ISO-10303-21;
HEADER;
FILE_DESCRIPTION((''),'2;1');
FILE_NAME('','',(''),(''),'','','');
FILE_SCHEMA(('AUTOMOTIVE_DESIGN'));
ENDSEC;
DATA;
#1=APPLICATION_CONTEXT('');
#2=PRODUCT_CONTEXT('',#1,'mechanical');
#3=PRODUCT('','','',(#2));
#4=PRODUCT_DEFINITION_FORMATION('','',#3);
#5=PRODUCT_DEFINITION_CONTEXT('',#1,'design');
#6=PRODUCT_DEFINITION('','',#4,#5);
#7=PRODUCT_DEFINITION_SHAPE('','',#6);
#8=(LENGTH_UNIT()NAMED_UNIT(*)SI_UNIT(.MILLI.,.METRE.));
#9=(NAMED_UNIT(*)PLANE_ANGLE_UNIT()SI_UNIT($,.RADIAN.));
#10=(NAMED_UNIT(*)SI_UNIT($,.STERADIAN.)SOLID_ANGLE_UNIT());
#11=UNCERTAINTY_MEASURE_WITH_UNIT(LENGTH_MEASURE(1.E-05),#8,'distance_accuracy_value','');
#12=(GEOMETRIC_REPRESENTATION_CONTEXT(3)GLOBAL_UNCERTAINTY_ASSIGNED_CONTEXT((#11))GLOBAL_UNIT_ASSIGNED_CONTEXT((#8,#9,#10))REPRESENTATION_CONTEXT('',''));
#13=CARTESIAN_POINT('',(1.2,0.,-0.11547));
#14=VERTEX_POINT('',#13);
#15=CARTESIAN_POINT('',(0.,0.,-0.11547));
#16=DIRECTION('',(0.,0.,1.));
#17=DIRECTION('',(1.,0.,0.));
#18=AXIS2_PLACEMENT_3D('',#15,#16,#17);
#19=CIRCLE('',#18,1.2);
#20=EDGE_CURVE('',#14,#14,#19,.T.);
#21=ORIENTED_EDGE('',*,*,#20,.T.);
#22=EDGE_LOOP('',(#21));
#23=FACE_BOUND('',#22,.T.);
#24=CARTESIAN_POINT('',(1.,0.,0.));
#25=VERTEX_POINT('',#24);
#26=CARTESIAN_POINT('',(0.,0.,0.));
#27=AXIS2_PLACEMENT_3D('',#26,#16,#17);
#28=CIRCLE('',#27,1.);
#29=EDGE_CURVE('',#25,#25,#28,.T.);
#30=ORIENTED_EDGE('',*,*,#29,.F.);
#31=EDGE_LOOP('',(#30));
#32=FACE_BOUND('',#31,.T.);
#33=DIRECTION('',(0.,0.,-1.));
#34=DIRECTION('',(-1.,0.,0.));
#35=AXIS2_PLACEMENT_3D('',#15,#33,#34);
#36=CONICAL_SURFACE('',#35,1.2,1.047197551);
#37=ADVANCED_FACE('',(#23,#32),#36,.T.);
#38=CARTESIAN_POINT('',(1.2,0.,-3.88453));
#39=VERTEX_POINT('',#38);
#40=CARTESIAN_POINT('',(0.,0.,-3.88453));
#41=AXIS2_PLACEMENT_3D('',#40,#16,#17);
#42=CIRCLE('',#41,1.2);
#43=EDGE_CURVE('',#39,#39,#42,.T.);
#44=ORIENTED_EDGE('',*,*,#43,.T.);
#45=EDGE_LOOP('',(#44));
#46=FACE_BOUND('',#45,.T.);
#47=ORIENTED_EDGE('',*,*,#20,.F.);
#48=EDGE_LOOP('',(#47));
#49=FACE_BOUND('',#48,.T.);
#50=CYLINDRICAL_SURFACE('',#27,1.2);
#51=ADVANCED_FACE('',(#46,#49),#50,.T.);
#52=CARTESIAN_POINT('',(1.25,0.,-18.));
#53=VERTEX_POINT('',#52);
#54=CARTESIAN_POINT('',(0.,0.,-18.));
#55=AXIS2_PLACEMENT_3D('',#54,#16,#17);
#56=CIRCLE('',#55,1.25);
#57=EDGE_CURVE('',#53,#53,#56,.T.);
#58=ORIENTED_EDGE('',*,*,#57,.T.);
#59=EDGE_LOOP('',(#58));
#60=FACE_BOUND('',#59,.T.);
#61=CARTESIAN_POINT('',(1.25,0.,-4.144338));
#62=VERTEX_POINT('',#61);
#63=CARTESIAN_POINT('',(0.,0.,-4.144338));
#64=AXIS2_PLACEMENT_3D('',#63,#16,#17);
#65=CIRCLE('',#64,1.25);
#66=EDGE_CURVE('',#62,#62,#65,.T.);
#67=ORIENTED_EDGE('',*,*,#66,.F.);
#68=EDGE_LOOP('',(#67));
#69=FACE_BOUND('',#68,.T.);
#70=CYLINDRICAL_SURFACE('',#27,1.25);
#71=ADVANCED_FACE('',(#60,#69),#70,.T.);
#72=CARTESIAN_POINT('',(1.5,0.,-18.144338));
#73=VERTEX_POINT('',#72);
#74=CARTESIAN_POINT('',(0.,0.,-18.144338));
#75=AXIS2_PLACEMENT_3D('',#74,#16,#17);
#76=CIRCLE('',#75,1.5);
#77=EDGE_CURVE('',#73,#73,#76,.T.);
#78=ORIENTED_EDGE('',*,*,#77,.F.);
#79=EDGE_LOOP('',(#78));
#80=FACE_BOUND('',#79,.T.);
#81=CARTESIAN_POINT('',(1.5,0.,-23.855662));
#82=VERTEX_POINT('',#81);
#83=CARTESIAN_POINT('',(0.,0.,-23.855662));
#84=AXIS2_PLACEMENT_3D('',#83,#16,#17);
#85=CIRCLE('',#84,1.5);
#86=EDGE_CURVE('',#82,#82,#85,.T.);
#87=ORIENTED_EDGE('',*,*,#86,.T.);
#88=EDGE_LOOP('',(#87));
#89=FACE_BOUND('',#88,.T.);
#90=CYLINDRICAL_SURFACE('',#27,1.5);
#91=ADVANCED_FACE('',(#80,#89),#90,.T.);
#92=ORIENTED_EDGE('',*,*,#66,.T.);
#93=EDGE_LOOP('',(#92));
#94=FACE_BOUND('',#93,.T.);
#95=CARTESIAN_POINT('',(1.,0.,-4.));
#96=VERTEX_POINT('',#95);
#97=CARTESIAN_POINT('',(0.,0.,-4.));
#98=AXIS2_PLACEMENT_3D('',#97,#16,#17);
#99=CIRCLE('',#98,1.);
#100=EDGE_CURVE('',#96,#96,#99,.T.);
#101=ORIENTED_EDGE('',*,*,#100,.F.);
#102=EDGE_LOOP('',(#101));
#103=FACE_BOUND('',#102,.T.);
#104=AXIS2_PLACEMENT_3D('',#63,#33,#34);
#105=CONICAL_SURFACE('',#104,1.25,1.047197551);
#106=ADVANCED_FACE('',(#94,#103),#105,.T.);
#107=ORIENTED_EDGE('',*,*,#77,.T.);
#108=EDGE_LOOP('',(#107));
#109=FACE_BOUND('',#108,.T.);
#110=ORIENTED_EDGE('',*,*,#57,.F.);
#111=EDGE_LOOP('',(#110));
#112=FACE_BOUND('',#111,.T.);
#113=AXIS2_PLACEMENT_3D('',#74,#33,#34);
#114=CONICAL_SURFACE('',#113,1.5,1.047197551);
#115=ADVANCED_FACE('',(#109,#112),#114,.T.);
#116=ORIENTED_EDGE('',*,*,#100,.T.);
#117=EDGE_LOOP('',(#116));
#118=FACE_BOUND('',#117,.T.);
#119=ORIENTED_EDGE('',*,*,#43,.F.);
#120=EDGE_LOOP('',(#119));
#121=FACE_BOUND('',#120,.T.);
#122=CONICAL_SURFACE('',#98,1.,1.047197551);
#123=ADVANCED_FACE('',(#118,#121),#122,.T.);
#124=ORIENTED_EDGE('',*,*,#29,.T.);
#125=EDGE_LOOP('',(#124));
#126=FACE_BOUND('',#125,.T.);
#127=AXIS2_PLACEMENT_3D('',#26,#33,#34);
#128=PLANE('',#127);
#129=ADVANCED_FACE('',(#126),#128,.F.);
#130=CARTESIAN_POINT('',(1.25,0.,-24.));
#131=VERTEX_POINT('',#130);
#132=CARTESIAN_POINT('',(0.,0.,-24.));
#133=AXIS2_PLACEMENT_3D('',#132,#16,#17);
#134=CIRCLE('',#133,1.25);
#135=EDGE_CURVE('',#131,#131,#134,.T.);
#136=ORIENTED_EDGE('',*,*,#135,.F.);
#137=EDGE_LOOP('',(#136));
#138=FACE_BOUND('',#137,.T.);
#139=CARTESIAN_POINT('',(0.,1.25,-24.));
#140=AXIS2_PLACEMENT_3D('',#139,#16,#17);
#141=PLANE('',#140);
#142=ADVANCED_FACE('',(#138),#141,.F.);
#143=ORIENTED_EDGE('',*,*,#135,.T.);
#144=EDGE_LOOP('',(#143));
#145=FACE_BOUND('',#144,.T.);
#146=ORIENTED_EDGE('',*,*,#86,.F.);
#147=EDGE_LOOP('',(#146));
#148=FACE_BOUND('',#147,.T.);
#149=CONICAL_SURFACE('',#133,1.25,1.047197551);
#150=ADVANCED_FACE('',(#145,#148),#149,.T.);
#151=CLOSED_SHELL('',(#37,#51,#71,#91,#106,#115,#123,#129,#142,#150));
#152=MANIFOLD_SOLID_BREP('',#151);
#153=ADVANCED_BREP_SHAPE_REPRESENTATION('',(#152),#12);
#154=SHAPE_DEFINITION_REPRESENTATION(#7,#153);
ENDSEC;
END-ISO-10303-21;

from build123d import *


with BuildPart() as part:
    # Sketch2 → Revolve1 (revolve)
    with BuildSketch(Plane(origin=(0, 0, 0), x_dir=(0, 0, -1), z_dir=(1, 0, 0)), mode=Mode.PRIVATE) as revolve1_sk:
        Polygon((0, 0), (0, 1), (0.115470054, 1.2), (3.884529946, 1.2), (4, 1), (4.144337567, 1.25), (18, 1.25), (18.144337567, 1.5), (23.855662433, 1.5), (24, 1.25), (24, 0), align=None)
    revolve(revolve1_sk.sketch.rotate(Axis((0, 0, 0), (0, 0, -1)), 90), axis=Axis((0, 0, 0), (0, 0, -1)))


solid = part.part
